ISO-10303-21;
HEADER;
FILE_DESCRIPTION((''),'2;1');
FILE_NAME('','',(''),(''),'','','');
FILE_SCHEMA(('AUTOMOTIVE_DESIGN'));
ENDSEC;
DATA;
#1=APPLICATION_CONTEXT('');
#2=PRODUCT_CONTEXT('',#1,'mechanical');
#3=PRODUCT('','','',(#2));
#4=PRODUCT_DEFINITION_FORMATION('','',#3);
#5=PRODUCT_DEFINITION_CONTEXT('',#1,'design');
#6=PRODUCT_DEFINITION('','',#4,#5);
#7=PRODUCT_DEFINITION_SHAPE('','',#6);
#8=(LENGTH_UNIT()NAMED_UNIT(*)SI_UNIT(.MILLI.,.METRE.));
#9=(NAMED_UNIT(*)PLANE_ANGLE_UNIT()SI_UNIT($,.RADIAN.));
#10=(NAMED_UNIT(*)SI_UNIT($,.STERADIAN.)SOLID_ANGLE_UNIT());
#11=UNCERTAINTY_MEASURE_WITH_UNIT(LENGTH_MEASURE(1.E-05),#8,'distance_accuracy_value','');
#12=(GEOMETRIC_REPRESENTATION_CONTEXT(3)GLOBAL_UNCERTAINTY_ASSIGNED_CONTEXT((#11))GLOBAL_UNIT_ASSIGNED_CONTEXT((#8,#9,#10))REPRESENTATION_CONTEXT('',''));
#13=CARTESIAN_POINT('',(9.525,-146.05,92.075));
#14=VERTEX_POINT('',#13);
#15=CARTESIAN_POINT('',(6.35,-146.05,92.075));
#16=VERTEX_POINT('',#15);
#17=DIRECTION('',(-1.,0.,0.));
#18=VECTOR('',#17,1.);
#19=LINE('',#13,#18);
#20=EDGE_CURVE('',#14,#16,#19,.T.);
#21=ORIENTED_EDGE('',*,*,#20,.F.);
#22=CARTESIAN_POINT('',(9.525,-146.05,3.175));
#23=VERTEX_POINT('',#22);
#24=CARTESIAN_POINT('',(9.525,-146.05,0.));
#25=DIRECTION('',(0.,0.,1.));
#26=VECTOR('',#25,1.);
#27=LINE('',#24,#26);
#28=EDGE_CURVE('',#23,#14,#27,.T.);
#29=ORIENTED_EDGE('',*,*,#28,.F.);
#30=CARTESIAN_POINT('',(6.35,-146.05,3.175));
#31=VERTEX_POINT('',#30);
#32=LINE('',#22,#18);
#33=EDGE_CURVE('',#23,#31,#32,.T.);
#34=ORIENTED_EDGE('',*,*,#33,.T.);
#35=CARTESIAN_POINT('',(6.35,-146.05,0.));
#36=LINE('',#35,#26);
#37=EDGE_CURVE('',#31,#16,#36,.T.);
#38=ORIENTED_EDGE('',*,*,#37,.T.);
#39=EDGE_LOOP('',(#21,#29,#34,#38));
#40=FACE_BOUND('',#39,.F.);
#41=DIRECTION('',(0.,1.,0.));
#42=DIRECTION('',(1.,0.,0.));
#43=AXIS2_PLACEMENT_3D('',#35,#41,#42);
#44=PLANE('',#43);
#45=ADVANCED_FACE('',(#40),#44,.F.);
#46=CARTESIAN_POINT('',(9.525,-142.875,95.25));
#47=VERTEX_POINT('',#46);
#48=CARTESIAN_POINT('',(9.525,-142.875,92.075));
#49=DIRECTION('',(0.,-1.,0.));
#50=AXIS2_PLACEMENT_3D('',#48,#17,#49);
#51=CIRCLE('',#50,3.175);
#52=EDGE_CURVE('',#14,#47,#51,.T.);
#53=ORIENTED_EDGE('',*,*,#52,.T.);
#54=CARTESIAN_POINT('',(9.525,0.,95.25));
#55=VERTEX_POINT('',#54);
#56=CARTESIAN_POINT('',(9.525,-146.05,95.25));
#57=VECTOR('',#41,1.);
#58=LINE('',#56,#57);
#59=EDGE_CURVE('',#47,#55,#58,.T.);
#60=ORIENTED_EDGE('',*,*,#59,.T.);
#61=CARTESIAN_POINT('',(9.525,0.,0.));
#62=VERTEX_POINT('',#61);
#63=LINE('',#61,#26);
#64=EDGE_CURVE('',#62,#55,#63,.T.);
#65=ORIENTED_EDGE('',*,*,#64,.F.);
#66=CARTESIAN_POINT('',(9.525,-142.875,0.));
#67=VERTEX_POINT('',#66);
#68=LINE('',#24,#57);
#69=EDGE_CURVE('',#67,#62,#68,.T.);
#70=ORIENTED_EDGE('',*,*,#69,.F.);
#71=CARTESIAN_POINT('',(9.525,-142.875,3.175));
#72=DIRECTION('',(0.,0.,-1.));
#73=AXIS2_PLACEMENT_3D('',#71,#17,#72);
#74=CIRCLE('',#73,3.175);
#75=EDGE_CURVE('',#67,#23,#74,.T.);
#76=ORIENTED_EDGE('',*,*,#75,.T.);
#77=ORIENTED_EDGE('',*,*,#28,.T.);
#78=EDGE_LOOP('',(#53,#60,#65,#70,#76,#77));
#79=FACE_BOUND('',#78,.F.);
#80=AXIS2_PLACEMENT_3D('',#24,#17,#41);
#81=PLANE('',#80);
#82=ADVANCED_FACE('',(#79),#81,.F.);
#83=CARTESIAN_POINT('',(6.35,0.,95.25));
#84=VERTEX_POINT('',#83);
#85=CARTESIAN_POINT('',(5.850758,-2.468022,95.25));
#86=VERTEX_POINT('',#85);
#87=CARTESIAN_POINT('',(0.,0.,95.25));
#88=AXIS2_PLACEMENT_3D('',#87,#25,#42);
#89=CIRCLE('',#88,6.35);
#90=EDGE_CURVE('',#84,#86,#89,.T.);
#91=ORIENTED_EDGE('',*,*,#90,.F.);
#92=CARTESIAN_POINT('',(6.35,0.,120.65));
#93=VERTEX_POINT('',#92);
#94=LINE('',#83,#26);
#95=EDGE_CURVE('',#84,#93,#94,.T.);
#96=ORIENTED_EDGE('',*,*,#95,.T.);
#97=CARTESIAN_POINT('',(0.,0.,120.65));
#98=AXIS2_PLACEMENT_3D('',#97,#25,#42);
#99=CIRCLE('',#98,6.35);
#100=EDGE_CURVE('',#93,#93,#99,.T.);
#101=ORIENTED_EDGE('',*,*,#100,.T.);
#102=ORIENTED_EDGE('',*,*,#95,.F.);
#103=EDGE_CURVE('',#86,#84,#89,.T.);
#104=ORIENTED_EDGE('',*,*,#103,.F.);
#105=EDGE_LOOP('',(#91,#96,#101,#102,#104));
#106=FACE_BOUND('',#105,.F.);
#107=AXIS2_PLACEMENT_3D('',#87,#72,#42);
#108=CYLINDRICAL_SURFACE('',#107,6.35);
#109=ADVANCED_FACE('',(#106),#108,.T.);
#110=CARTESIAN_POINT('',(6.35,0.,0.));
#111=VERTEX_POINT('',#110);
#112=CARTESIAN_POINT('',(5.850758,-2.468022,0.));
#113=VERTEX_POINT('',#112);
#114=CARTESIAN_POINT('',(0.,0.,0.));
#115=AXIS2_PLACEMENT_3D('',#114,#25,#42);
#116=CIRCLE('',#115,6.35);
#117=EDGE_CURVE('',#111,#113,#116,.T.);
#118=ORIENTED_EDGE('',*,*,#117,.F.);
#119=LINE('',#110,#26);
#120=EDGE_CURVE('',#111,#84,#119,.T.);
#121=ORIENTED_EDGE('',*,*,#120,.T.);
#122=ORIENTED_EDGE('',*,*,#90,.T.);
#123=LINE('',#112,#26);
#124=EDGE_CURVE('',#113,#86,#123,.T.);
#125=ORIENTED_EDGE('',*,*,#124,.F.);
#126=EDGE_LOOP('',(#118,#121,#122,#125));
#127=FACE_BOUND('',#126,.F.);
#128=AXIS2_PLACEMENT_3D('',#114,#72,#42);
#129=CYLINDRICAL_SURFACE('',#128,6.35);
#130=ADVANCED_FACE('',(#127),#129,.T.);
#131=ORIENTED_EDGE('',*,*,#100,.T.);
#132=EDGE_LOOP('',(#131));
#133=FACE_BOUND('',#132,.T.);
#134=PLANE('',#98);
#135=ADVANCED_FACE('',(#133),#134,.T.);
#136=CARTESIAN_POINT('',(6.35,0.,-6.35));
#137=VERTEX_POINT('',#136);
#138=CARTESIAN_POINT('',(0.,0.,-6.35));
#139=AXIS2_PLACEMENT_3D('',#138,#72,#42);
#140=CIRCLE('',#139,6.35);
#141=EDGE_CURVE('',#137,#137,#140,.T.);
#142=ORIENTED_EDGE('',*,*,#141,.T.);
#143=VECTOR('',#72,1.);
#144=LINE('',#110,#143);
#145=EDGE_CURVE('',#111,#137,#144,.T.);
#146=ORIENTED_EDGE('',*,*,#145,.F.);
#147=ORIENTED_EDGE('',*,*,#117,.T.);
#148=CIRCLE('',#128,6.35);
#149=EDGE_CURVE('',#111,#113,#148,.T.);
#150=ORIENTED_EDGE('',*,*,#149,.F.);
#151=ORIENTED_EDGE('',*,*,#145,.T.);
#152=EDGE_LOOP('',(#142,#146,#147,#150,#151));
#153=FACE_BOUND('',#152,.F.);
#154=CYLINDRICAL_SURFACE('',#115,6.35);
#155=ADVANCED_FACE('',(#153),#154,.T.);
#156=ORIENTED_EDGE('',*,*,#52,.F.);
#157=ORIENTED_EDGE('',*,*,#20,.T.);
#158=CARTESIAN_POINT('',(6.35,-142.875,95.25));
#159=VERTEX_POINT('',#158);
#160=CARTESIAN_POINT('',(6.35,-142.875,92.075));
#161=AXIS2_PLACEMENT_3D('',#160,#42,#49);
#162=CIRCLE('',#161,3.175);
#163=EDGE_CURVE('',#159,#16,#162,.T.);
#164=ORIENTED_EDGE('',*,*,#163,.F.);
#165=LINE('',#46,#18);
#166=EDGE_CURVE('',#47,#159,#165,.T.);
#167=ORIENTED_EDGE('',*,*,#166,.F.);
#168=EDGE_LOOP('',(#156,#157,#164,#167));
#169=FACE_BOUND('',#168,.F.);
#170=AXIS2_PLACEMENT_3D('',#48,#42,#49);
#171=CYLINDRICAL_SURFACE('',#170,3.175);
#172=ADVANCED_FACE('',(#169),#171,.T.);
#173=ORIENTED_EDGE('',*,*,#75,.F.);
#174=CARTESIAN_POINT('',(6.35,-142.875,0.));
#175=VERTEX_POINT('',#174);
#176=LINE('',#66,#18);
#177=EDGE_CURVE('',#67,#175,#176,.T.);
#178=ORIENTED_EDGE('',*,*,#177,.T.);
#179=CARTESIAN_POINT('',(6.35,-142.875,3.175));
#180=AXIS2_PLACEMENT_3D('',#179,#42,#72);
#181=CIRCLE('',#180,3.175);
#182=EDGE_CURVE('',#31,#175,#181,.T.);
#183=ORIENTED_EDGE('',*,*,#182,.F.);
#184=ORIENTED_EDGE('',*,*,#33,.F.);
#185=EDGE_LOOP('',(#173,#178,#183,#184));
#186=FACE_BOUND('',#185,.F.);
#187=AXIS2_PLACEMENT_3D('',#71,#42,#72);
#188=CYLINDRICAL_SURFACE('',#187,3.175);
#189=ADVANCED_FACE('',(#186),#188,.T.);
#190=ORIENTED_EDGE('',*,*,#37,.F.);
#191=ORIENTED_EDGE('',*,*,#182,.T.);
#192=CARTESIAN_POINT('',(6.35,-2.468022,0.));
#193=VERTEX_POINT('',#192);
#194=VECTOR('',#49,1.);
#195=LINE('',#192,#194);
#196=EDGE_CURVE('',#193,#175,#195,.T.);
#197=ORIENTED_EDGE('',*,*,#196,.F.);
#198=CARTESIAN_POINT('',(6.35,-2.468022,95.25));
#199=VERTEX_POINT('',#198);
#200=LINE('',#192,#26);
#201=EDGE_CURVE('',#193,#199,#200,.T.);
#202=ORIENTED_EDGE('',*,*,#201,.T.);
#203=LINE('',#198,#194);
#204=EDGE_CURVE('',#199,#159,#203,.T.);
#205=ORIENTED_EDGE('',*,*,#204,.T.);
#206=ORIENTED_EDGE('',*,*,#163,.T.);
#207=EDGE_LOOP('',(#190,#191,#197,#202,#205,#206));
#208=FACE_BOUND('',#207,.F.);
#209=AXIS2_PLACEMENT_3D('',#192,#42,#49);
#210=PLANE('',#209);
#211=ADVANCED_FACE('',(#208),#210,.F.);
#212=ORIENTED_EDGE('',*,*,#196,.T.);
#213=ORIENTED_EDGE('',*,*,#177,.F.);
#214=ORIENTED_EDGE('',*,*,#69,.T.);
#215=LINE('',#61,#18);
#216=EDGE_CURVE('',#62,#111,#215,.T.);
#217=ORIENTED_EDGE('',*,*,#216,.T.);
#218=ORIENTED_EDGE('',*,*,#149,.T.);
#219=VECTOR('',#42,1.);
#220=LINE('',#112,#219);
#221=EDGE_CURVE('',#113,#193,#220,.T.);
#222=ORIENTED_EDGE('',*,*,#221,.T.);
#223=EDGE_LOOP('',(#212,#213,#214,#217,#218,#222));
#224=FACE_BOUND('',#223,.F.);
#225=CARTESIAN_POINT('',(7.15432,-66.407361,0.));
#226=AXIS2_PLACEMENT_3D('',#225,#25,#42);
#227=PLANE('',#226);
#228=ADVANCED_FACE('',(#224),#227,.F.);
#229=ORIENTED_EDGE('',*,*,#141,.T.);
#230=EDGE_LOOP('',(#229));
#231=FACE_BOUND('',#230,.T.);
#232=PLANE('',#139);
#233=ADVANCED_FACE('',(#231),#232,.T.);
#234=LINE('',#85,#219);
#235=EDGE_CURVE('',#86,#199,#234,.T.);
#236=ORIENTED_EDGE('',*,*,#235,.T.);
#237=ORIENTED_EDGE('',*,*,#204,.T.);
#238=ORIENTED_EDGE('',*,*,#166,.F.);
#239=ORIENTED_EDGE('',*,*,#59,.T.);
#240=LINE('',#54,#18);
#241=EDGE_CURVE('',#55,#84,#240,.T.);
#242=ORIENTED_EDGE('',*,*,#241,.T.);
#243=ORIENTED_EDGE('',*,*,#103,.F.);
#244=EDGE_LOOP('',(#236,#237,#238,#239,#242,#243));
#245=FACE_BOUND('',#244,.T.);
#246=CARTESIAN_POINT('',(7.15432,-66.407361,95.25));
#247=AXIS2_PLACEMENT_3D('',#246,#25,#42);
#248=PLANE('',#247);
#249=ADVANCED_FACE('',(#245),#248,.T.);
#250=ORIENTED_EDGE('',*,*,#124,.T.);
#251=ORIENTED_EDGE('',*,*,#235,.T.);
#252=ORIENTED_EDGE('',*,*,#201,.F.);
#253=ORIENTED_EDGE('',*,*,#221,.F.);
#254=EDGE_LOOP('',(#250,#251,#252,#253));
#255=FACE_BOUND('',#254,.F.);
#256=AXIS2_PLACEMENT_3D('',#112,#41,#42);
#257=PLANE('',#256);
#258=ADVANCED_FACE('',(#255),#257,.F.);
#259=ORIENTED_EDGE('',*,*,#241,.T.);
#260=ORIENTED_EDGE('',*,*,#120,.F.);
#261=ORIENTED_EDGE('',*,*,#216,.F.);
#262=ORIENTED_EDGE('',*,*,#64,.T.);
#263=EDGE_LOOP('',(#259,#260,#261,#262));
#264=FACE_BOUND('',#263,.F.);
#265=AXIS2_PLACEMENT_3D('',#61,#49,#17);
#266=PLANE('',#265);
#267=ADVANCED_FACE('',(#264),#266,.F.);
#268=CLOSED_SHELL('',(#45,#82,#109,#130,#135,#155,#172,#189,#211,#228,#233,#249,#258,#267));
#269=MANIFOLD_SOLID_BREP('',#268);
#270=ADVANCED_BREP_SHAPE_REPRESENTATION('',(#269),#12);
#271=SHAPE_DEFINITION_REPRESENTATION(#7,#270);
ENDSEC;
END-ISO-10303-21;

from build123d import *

# Parameters (mm, degrees)
F1_DEPTH = 95.25
F2_R     = 6.35
F3_DEPTH = 25.4
F4_R     = 6.35
F5_DEPTH = 6.35
F7_DEPTH = 25.4


with BuildPart() as f1:
    # F0 (on Top) → F1 (new body)
    with BuildSketch(Plane.XY):
        with BuildLine():
            Line((9.525, 0), (6.35, 0))
            ThreePointArc((6.35, 0), (-6.2239381909, 1.2590049228), (5.8507579856, -2.4680216762))
            Line((5.8507579856, -2.4680216762), (6.35, -2.4680216762))
            Line((6.35, -2.4680216762), (6.35, -146.05))
            Line((6.35, -146.05), (9.525, -146.05))
            Line((9.525, -146.05), (9.525, 0))
        make_face()
    extrude(amount=F1_DEPTH)

    # F2 (on face) → F3 (join)
    with BuildSketch(Plane.XY.offset(95.25)):
        Circle(F2_R)
    extrude(amount=F3_DEPTH)

    # F4 (on face) → F5 (join)
    with BuildSketch(Plane(origin=(0, 0, 0), x_dir=(1, 0, 0), z_dir=(0, 0, -1))):
        Circle(F4_R)
    extrude(amount=F5_DEPTH)

    # F6 (on face) → F7 (cut)
    with BuildSketch(Plane.YZ.offset(9.525)):
        with BuildLine():
            ThreePointArc((-146.05, 92.075), (-145.1200640303, 94.3200640303), (-142.875, 95.25))
            Line((-142.875, 95.25), (-146.05, 95.25))
            Line((-146.05, 95.25), (-146.05, 92.075))
        make_face()
        with BuildLine():
            ThreePointArc((-142.875, 0), (-145.1200640303, 0.9299359697), (-146.05, 3.175))
            Line((-146.05, 3.175), (-146.05, 0))
            Line((-146.05, 0), (-142.875, 0))
        make_face()
    extrude(amount=-F7_DEPTH, mode=Mode.SUBTRACT)


solid = f1.part
